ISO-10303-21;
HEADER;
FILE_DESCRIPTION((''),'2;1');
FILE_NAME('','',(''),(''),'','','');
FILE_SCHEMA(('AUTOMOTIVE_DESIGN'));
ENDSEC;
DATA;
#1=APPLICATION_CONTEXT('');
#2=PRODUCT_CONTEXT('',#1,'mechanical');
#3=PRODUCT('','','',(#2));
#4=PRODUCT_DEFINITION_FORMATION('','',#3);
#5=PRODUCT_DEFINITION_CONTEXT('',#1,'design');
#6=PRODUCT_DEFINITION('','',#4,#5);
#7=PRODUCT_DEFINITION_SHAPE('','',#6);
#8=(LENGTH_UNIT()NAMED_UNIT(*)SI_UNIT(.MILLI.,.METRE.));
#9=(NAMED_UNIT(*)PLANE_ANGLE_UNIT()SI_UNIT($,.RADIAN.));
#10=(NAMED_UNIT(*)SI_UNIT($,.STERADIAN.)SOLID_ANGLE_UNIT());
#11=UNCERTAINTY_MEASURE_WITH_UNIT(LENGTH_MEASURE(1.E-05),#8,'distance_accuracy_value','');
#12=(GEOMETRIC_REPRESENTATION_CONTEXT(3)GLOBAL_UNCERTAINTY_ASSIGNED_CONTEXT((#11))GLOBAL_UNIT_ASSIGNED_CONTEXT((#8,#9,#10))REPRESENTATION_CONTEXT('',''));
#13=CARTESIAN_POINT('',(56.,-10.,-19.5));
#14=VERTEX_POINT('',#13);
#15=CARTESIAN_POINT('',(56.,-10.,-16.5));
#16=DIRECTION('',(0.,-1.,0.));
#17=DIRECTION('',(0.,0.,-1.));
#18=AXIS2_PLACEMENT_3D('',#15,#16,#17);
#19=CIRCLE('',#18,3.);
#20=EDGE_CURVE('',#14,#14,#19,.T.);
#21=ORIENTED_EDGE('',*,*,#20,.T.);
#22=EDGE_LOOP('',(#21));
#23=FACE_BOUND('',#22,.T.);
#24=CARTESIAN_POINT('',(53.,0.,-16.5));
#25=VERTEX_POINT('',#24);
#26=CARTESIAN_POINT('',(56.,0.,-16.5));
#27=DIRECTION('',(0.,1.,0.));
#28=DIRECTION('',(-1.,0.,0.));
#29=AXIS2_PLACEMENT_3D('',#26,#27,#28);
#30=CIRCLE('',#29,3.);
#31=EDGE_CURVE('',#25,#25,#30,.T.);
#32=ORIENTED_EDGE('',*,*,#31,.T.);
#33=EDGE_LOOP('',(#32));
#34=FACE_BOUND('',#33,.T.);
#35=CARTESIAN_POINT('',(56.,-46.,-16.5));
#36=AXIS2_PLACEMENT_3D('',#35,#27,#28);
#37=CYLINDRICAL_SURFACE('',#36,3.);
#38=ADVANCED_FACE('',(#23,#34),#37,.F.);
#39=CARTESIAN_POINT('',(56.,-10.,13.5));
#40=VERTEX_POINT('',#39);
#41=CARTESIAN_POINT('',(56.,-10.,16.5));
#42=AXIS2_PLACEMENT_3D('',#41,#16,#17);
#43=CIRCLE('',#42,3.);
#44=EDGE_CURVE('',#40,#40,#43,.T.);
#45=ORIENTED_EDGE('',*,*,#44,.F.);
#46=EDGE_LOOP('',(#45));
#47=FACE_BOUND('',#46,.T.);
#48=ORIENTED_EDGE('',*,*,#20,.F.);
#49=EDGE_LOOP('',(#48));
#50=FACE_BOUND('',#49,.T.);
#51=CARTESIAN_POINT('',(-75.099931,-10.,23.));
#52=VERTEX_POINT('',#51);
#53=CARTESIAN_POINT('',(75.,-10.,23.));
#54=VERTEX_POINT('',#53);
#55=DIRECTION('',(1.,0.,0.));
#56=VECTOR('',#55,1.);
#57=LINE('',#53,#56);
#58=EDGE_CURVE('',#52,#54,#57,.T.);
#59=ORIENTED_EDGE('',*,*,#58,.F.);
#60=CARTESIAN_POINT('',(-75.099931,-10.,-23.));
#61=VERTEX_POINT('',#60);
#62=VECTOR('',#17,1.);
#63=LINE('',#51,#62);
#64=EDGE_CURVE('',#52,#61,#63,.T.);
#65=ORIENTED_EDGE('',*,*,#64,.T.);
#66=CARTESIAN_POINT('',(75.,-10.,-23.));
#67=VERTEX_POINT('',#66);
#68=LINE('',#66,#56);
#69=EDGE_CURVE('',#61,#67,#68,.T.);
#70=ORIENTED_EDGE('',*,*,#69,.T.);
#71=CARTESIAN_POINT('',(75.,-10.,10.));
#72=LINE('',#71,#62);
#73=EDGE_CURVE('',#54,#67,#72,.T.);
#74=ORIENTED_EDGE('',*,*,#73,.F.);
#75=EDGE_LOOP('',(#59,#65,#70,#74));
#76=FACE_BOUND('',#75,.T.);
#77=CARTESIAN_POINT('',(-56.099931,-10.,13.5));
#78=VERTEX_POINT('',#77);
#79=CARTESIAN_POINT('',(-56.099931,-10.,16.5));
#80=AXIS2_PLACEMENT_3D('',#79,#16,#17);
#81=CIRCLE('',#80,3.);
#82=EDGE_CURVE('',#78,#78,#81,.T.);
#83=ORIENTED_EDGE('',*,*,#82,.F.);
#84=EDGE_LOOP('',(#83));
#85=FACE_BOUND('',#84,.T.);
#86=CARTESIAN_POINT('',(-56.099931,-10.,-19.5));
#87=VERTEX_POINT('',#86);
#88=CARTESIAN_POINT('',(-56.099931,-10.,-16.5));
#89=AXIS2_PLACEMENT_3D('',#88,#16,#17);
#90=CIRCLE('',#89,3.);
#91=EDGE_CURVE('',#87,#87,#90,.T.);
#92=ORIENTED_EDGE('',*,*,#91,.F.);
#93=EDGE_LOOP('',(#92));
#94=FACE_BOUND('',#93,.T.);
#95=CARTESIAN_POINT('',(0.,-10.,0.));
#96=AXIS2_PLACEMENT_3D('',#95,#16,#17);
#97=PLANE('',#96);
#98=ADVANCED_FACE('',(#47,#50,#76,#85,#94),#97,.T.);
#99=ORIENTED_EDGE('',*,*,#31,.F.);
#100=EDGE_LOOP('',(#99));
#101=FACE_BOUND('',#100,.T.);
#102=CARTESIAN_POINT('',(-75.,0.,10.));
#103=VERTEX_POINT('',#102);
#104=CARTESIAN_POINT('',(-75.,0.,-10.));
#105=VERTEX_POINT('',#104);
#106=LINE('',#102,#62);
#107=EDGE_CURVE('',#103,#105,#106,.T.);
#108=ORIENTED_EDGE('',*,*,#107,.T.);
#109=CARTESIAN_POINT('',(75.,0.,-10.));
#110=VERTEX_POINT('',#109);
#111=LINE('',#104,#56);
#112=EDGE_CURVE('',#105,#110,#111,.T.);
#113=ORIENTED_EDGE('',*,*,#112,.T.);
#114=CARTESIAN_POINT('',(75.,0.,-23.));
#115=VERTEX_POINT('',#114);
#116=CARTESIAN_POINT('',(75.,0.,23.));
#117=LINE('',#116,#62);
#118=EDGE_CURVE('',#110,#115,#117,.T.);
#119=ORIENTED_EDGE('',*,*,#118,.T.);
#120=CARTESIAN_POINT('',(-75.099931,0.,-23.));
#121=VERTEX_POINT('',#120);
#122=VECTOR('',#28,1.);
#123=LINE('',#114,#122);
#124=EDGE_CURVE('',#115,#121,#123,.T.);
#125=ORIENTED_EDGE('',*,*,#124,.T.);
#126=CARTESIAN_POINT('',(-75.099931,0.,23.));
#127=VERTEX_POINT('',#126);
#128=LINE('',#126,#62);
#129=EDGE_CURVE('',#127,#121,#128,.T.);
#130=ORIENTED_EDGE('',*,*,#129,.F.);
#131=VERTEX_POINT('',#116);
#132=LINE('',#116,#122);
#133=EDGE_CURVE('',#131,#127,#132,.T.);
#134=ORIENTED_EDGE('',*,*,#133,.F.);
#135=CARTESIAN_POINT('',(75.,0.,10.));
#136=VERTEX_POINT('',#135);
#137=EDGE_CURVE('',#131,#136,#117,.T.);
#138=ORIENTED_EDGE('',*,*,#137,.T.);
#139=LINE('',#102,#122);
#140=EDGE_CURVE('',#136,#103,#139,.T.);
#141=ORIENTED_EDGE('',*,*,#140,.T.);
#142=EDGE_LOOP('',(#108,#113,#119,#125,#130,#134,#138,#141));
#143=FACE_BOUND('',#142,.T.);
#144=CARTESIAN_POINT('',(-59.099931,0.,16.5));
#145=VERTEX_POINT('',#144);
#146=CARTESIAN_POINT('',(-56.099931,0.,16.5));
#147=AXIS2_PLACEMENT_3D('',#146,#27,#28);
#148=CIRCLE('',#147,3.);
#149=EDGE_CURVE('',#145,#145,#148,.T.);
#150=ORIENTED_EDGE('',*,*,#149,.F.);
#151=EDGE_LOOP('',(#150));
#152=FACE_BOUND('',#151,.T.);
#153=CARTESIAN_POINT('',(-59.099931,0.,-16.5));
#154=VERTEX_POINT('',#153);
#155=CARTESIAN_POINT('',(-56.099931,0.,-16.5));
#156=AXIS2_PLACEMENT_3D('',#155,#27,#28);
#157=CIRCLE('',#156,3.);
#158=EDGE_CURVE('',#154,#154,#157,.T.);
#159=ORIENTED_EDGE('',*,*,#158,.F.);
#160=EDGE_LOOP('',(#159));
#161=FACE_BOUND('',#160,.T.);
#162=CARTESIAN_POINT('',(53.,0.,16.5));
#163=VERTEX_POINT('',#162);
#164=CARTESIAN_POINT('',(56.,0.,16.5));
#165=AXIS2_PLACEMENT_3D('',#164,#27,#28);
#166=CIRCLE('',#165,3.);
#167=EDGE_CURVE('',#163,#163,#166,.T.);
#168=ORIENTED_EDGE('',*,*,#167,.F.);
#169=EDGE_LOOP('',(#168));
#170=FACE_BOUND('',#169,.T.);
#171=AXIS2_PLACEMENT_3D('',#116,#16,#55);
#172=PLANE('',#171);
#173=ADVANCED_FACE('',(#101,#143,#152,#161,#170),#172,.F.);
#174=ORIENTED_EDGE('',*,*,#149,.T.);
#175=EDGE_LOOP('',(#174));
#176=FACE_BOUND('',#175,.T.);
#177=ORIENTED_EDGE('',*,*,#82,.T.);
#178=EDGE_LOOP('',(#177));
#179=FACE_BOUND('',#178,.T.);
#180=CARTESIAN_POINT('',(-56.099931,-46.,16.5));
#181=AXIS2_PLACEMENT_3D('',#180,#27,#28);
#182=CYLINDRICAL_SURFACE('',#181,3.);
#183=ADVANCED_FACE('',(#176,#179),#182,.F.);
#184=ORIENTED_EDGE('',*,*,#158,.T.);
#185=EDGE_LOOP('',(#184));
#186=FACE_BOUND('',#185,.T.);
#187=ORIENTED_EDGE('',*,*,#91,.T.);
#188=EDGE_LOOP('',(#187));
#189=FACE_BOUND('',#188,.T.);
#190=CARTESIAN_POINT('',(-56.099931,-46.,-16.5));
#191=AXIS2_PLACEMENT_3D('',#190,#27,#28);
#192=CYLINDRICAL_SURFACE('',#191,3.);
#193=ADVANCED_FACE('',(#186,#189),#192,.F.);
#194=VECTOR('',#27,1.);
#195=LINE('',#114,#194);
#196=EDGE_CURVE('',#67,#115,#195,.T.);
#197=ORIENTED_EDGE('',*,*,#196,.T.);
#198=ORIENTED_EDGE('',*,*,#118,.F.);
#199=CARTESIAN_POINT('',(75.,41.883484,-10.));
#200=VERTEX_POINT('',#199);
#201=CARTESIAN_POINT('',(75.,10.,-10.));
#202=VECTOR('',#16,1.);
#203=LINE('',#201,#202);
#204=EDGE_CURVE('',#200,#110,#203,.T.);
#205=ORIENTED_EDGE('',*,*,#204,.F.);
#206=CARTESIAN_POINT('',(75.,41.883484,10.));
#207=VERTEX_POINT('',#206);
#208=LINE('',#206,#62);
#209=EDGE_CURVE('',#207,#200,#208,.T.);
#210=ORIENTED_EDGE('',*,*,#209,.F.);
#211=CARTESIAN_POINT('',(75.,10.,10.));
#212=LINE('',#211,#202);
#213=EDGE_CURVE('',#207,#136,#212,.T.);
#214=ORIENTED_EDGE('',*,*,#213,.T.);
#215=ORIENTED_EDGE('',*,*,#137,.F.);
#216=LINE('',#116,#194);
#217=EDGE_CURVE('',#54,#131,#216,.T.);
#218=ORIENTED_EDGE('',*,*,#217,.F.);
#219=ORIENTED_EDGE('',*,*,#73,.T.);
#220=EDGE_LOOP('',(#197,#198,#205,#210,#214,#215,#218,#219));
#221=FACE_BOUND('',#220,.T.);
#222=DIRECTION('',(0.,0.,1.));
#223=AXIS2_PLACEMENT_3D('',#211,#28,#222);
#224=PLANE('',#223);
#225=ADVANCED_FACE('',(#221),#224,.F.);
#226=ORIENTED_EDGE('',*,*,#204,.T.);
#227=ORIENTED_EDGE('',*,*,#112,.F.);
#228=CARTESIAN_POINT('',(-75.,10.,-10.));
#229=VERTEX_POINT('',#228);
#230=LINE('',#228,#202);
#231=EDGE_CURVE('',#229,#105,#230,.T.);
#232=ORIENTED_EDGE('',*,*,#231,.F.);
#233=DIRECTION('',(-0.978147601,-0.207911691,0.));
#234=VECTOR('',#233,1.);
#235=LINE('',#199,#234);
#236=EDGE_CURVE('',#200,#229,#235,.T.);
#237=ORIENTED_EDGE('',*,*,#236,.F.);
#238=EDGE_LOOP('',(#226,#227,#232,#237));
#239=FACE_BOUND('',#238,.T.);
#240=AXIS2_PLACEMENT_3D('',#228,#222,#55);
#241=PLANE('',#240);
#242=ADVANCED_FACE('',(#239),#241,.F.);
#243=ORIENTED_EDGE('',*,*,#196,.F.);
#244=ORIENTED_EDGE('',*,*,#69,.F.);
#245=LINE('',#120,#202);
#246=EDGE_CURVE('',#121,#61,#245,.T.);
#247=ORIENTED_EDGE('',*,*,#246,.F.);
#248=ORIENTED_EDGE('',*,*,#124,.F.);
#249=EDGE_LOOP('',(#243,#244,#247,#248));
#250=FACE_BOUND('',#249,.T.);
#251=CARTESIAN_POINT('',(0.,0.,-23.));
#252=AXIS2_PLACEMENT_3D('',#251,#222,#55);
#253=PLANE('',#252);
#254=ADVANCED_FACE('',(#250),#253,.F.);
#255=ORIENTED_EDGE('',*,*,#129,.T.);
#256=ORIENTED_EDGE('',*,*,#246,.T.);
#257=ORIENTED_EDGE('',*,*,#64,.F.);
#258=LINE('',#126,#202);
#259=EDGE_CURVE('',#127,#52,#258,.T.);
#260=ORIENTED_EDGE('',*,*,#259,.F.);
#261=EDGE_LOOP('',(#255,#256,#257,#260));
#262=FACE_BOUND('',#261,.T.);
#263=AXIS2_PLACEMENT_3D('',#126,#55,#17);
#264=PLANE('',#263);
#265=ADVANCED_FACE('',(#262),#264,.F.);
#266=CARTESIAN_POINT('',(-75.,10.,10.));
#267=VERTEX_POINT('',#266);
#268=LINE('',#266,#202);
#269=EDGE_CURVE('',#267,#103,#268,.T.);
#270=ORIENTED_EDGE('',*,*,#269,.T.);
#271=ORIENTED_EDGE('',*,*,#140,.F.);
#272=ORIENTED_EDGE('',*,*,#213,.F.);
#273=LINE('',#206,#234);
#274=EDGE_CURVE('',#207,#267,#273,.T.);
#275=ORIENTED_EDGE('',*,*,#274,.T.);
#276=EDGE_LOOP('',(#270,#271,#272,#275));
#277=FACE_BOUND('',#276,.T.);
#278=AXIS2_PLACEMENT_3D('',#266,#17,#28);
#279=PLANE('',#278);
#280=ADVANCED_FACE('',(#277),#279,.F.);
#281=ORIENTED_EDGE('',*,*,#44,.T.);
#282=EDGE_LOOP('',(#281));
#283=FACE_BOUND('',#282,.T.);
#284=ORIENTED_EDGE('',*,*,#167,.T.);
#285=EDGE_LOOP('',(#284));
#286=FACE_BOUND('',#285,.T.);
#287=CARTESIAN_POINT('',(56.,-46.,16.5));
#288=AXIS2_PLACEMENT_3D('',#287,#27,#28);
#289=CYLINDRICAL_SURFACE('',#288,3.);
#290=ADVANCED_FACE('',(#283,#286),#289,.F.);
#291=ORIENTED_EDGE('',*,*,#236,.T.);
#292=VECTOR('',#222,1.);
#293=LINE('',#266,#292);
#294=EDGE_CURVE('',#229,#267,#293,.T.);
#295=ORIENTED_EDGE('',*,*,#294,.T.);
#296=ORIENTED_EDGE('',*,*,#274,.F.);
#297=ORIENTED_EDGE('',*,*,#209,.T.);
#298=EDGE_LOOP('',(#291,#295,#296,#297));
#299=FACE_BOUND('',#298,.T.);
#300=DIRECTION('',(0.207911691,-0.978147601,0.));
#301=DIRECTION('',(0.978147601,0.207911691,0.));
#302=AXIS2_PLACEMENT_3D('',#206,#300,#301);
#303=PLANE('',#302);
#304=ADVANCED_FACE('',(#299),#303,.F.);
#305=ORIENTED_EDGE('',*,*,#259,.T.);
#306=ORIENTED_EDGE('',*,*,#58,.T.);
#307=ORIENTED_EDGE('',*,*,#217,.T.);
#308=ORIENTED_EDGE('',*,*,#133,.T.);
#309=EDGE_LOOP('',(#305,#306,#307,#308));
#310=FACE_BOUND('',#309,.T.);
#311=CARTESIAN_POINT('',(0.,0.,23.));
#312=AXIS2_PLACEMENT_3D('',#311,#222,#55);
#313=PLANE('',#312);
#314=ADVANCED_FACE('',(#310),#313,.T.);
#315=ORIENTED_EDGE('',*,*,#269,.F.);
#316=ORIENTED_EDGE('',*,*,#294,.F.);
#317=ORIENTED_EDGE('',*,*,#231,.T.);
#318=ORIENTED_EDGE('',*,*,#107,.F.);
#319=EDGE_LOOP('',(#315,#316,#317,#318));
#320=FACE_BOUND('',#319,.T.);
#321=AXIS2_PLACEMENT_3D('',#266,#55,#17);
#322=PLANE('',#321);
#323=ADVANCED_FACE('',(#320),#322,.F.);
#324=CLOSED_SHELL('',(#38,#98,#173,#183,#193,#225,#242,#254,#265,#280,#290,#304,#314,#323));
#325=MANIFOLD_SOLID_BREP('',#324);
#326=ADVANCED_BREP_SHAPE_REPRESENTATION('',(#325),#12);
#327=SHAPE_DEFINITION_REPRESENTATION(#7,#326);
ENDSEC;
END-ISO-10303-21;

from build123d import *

# Parameters (mm, degrees)
SKETCH1_W           = 150
SKETCH1_H           = 20
BOSS_EXTRUDE1_DEPTH = 10
BOSS_EXTRUDE2_DEPTH = 10
SKETCH7_W           = 150.099930891
SKETCH7_H           = 10
BOSS_EXTRUDE3_DEPTH = 23
SKETCH8_R           = 3
CUT_EXTRUDE4_DEPTH  = 46


with BuildPart() as part:
    # Sketch1 → Boss-Extrude1 (new, symmetric)
    with BuildSketch(Plane(origin=(0, 0, 0), x_dir=(1, 0, 0), z_dir=(0, 1, 0))):
        Rectangle(SKETCH1_W, SKETCH1_H)
    extrude(amount=BOSS_EXTRUDE1_DEPTH, both=True)

    # Sketch2 → Boss-Extrude2 (add, symmetric)
    with BuildSketch(Plane.XY):
        Polygon((-75, 10), (75, 10), (75, 41.883484251), align=None)
    extrude(amount=BOSS_EXTRUDE2_DEPTH, both=True)

    # Sketch7 → Boss-Extrude3 (add, symmetric)
    with BuildSketch(Plane.XY):
        with Locations((-0.049965445, -5)):
            Rectangle(SKETCH7_W, SKETCH7_H)
    extrude(amount=BOSS_EXTRUDE3_DEPTH, both=True)

    # Sketch8 → Cut-Extrude4 (cut)
    with BuildSketch(Plane(origin=(0, 0, 10), x_dir=(1, 0, 0), z_dir=(0, 1, 0))):
        with Locations(Location((-56.099930891, 26.5, 0), (0, 0, 180))):
            Circle(SKETCH8_R)
        with Locations(Location((56, 26.5, 0), (0, 0, 180))):
            Circle(SKETCH8_R)
        with Locations(Location((56, -6.5, 0), (0, 0, 180))):
            Circle(SKETCH8_R)
        with Locations(Location((-56.099930891, -6.5, 0), (0, 0, 180))):
            Circle(SKETCH8_R)
    extrude(amount=-CUT_EXTRUDE4_DEPTH, mode=Mode.SUBTRACT)


solid = part.part
